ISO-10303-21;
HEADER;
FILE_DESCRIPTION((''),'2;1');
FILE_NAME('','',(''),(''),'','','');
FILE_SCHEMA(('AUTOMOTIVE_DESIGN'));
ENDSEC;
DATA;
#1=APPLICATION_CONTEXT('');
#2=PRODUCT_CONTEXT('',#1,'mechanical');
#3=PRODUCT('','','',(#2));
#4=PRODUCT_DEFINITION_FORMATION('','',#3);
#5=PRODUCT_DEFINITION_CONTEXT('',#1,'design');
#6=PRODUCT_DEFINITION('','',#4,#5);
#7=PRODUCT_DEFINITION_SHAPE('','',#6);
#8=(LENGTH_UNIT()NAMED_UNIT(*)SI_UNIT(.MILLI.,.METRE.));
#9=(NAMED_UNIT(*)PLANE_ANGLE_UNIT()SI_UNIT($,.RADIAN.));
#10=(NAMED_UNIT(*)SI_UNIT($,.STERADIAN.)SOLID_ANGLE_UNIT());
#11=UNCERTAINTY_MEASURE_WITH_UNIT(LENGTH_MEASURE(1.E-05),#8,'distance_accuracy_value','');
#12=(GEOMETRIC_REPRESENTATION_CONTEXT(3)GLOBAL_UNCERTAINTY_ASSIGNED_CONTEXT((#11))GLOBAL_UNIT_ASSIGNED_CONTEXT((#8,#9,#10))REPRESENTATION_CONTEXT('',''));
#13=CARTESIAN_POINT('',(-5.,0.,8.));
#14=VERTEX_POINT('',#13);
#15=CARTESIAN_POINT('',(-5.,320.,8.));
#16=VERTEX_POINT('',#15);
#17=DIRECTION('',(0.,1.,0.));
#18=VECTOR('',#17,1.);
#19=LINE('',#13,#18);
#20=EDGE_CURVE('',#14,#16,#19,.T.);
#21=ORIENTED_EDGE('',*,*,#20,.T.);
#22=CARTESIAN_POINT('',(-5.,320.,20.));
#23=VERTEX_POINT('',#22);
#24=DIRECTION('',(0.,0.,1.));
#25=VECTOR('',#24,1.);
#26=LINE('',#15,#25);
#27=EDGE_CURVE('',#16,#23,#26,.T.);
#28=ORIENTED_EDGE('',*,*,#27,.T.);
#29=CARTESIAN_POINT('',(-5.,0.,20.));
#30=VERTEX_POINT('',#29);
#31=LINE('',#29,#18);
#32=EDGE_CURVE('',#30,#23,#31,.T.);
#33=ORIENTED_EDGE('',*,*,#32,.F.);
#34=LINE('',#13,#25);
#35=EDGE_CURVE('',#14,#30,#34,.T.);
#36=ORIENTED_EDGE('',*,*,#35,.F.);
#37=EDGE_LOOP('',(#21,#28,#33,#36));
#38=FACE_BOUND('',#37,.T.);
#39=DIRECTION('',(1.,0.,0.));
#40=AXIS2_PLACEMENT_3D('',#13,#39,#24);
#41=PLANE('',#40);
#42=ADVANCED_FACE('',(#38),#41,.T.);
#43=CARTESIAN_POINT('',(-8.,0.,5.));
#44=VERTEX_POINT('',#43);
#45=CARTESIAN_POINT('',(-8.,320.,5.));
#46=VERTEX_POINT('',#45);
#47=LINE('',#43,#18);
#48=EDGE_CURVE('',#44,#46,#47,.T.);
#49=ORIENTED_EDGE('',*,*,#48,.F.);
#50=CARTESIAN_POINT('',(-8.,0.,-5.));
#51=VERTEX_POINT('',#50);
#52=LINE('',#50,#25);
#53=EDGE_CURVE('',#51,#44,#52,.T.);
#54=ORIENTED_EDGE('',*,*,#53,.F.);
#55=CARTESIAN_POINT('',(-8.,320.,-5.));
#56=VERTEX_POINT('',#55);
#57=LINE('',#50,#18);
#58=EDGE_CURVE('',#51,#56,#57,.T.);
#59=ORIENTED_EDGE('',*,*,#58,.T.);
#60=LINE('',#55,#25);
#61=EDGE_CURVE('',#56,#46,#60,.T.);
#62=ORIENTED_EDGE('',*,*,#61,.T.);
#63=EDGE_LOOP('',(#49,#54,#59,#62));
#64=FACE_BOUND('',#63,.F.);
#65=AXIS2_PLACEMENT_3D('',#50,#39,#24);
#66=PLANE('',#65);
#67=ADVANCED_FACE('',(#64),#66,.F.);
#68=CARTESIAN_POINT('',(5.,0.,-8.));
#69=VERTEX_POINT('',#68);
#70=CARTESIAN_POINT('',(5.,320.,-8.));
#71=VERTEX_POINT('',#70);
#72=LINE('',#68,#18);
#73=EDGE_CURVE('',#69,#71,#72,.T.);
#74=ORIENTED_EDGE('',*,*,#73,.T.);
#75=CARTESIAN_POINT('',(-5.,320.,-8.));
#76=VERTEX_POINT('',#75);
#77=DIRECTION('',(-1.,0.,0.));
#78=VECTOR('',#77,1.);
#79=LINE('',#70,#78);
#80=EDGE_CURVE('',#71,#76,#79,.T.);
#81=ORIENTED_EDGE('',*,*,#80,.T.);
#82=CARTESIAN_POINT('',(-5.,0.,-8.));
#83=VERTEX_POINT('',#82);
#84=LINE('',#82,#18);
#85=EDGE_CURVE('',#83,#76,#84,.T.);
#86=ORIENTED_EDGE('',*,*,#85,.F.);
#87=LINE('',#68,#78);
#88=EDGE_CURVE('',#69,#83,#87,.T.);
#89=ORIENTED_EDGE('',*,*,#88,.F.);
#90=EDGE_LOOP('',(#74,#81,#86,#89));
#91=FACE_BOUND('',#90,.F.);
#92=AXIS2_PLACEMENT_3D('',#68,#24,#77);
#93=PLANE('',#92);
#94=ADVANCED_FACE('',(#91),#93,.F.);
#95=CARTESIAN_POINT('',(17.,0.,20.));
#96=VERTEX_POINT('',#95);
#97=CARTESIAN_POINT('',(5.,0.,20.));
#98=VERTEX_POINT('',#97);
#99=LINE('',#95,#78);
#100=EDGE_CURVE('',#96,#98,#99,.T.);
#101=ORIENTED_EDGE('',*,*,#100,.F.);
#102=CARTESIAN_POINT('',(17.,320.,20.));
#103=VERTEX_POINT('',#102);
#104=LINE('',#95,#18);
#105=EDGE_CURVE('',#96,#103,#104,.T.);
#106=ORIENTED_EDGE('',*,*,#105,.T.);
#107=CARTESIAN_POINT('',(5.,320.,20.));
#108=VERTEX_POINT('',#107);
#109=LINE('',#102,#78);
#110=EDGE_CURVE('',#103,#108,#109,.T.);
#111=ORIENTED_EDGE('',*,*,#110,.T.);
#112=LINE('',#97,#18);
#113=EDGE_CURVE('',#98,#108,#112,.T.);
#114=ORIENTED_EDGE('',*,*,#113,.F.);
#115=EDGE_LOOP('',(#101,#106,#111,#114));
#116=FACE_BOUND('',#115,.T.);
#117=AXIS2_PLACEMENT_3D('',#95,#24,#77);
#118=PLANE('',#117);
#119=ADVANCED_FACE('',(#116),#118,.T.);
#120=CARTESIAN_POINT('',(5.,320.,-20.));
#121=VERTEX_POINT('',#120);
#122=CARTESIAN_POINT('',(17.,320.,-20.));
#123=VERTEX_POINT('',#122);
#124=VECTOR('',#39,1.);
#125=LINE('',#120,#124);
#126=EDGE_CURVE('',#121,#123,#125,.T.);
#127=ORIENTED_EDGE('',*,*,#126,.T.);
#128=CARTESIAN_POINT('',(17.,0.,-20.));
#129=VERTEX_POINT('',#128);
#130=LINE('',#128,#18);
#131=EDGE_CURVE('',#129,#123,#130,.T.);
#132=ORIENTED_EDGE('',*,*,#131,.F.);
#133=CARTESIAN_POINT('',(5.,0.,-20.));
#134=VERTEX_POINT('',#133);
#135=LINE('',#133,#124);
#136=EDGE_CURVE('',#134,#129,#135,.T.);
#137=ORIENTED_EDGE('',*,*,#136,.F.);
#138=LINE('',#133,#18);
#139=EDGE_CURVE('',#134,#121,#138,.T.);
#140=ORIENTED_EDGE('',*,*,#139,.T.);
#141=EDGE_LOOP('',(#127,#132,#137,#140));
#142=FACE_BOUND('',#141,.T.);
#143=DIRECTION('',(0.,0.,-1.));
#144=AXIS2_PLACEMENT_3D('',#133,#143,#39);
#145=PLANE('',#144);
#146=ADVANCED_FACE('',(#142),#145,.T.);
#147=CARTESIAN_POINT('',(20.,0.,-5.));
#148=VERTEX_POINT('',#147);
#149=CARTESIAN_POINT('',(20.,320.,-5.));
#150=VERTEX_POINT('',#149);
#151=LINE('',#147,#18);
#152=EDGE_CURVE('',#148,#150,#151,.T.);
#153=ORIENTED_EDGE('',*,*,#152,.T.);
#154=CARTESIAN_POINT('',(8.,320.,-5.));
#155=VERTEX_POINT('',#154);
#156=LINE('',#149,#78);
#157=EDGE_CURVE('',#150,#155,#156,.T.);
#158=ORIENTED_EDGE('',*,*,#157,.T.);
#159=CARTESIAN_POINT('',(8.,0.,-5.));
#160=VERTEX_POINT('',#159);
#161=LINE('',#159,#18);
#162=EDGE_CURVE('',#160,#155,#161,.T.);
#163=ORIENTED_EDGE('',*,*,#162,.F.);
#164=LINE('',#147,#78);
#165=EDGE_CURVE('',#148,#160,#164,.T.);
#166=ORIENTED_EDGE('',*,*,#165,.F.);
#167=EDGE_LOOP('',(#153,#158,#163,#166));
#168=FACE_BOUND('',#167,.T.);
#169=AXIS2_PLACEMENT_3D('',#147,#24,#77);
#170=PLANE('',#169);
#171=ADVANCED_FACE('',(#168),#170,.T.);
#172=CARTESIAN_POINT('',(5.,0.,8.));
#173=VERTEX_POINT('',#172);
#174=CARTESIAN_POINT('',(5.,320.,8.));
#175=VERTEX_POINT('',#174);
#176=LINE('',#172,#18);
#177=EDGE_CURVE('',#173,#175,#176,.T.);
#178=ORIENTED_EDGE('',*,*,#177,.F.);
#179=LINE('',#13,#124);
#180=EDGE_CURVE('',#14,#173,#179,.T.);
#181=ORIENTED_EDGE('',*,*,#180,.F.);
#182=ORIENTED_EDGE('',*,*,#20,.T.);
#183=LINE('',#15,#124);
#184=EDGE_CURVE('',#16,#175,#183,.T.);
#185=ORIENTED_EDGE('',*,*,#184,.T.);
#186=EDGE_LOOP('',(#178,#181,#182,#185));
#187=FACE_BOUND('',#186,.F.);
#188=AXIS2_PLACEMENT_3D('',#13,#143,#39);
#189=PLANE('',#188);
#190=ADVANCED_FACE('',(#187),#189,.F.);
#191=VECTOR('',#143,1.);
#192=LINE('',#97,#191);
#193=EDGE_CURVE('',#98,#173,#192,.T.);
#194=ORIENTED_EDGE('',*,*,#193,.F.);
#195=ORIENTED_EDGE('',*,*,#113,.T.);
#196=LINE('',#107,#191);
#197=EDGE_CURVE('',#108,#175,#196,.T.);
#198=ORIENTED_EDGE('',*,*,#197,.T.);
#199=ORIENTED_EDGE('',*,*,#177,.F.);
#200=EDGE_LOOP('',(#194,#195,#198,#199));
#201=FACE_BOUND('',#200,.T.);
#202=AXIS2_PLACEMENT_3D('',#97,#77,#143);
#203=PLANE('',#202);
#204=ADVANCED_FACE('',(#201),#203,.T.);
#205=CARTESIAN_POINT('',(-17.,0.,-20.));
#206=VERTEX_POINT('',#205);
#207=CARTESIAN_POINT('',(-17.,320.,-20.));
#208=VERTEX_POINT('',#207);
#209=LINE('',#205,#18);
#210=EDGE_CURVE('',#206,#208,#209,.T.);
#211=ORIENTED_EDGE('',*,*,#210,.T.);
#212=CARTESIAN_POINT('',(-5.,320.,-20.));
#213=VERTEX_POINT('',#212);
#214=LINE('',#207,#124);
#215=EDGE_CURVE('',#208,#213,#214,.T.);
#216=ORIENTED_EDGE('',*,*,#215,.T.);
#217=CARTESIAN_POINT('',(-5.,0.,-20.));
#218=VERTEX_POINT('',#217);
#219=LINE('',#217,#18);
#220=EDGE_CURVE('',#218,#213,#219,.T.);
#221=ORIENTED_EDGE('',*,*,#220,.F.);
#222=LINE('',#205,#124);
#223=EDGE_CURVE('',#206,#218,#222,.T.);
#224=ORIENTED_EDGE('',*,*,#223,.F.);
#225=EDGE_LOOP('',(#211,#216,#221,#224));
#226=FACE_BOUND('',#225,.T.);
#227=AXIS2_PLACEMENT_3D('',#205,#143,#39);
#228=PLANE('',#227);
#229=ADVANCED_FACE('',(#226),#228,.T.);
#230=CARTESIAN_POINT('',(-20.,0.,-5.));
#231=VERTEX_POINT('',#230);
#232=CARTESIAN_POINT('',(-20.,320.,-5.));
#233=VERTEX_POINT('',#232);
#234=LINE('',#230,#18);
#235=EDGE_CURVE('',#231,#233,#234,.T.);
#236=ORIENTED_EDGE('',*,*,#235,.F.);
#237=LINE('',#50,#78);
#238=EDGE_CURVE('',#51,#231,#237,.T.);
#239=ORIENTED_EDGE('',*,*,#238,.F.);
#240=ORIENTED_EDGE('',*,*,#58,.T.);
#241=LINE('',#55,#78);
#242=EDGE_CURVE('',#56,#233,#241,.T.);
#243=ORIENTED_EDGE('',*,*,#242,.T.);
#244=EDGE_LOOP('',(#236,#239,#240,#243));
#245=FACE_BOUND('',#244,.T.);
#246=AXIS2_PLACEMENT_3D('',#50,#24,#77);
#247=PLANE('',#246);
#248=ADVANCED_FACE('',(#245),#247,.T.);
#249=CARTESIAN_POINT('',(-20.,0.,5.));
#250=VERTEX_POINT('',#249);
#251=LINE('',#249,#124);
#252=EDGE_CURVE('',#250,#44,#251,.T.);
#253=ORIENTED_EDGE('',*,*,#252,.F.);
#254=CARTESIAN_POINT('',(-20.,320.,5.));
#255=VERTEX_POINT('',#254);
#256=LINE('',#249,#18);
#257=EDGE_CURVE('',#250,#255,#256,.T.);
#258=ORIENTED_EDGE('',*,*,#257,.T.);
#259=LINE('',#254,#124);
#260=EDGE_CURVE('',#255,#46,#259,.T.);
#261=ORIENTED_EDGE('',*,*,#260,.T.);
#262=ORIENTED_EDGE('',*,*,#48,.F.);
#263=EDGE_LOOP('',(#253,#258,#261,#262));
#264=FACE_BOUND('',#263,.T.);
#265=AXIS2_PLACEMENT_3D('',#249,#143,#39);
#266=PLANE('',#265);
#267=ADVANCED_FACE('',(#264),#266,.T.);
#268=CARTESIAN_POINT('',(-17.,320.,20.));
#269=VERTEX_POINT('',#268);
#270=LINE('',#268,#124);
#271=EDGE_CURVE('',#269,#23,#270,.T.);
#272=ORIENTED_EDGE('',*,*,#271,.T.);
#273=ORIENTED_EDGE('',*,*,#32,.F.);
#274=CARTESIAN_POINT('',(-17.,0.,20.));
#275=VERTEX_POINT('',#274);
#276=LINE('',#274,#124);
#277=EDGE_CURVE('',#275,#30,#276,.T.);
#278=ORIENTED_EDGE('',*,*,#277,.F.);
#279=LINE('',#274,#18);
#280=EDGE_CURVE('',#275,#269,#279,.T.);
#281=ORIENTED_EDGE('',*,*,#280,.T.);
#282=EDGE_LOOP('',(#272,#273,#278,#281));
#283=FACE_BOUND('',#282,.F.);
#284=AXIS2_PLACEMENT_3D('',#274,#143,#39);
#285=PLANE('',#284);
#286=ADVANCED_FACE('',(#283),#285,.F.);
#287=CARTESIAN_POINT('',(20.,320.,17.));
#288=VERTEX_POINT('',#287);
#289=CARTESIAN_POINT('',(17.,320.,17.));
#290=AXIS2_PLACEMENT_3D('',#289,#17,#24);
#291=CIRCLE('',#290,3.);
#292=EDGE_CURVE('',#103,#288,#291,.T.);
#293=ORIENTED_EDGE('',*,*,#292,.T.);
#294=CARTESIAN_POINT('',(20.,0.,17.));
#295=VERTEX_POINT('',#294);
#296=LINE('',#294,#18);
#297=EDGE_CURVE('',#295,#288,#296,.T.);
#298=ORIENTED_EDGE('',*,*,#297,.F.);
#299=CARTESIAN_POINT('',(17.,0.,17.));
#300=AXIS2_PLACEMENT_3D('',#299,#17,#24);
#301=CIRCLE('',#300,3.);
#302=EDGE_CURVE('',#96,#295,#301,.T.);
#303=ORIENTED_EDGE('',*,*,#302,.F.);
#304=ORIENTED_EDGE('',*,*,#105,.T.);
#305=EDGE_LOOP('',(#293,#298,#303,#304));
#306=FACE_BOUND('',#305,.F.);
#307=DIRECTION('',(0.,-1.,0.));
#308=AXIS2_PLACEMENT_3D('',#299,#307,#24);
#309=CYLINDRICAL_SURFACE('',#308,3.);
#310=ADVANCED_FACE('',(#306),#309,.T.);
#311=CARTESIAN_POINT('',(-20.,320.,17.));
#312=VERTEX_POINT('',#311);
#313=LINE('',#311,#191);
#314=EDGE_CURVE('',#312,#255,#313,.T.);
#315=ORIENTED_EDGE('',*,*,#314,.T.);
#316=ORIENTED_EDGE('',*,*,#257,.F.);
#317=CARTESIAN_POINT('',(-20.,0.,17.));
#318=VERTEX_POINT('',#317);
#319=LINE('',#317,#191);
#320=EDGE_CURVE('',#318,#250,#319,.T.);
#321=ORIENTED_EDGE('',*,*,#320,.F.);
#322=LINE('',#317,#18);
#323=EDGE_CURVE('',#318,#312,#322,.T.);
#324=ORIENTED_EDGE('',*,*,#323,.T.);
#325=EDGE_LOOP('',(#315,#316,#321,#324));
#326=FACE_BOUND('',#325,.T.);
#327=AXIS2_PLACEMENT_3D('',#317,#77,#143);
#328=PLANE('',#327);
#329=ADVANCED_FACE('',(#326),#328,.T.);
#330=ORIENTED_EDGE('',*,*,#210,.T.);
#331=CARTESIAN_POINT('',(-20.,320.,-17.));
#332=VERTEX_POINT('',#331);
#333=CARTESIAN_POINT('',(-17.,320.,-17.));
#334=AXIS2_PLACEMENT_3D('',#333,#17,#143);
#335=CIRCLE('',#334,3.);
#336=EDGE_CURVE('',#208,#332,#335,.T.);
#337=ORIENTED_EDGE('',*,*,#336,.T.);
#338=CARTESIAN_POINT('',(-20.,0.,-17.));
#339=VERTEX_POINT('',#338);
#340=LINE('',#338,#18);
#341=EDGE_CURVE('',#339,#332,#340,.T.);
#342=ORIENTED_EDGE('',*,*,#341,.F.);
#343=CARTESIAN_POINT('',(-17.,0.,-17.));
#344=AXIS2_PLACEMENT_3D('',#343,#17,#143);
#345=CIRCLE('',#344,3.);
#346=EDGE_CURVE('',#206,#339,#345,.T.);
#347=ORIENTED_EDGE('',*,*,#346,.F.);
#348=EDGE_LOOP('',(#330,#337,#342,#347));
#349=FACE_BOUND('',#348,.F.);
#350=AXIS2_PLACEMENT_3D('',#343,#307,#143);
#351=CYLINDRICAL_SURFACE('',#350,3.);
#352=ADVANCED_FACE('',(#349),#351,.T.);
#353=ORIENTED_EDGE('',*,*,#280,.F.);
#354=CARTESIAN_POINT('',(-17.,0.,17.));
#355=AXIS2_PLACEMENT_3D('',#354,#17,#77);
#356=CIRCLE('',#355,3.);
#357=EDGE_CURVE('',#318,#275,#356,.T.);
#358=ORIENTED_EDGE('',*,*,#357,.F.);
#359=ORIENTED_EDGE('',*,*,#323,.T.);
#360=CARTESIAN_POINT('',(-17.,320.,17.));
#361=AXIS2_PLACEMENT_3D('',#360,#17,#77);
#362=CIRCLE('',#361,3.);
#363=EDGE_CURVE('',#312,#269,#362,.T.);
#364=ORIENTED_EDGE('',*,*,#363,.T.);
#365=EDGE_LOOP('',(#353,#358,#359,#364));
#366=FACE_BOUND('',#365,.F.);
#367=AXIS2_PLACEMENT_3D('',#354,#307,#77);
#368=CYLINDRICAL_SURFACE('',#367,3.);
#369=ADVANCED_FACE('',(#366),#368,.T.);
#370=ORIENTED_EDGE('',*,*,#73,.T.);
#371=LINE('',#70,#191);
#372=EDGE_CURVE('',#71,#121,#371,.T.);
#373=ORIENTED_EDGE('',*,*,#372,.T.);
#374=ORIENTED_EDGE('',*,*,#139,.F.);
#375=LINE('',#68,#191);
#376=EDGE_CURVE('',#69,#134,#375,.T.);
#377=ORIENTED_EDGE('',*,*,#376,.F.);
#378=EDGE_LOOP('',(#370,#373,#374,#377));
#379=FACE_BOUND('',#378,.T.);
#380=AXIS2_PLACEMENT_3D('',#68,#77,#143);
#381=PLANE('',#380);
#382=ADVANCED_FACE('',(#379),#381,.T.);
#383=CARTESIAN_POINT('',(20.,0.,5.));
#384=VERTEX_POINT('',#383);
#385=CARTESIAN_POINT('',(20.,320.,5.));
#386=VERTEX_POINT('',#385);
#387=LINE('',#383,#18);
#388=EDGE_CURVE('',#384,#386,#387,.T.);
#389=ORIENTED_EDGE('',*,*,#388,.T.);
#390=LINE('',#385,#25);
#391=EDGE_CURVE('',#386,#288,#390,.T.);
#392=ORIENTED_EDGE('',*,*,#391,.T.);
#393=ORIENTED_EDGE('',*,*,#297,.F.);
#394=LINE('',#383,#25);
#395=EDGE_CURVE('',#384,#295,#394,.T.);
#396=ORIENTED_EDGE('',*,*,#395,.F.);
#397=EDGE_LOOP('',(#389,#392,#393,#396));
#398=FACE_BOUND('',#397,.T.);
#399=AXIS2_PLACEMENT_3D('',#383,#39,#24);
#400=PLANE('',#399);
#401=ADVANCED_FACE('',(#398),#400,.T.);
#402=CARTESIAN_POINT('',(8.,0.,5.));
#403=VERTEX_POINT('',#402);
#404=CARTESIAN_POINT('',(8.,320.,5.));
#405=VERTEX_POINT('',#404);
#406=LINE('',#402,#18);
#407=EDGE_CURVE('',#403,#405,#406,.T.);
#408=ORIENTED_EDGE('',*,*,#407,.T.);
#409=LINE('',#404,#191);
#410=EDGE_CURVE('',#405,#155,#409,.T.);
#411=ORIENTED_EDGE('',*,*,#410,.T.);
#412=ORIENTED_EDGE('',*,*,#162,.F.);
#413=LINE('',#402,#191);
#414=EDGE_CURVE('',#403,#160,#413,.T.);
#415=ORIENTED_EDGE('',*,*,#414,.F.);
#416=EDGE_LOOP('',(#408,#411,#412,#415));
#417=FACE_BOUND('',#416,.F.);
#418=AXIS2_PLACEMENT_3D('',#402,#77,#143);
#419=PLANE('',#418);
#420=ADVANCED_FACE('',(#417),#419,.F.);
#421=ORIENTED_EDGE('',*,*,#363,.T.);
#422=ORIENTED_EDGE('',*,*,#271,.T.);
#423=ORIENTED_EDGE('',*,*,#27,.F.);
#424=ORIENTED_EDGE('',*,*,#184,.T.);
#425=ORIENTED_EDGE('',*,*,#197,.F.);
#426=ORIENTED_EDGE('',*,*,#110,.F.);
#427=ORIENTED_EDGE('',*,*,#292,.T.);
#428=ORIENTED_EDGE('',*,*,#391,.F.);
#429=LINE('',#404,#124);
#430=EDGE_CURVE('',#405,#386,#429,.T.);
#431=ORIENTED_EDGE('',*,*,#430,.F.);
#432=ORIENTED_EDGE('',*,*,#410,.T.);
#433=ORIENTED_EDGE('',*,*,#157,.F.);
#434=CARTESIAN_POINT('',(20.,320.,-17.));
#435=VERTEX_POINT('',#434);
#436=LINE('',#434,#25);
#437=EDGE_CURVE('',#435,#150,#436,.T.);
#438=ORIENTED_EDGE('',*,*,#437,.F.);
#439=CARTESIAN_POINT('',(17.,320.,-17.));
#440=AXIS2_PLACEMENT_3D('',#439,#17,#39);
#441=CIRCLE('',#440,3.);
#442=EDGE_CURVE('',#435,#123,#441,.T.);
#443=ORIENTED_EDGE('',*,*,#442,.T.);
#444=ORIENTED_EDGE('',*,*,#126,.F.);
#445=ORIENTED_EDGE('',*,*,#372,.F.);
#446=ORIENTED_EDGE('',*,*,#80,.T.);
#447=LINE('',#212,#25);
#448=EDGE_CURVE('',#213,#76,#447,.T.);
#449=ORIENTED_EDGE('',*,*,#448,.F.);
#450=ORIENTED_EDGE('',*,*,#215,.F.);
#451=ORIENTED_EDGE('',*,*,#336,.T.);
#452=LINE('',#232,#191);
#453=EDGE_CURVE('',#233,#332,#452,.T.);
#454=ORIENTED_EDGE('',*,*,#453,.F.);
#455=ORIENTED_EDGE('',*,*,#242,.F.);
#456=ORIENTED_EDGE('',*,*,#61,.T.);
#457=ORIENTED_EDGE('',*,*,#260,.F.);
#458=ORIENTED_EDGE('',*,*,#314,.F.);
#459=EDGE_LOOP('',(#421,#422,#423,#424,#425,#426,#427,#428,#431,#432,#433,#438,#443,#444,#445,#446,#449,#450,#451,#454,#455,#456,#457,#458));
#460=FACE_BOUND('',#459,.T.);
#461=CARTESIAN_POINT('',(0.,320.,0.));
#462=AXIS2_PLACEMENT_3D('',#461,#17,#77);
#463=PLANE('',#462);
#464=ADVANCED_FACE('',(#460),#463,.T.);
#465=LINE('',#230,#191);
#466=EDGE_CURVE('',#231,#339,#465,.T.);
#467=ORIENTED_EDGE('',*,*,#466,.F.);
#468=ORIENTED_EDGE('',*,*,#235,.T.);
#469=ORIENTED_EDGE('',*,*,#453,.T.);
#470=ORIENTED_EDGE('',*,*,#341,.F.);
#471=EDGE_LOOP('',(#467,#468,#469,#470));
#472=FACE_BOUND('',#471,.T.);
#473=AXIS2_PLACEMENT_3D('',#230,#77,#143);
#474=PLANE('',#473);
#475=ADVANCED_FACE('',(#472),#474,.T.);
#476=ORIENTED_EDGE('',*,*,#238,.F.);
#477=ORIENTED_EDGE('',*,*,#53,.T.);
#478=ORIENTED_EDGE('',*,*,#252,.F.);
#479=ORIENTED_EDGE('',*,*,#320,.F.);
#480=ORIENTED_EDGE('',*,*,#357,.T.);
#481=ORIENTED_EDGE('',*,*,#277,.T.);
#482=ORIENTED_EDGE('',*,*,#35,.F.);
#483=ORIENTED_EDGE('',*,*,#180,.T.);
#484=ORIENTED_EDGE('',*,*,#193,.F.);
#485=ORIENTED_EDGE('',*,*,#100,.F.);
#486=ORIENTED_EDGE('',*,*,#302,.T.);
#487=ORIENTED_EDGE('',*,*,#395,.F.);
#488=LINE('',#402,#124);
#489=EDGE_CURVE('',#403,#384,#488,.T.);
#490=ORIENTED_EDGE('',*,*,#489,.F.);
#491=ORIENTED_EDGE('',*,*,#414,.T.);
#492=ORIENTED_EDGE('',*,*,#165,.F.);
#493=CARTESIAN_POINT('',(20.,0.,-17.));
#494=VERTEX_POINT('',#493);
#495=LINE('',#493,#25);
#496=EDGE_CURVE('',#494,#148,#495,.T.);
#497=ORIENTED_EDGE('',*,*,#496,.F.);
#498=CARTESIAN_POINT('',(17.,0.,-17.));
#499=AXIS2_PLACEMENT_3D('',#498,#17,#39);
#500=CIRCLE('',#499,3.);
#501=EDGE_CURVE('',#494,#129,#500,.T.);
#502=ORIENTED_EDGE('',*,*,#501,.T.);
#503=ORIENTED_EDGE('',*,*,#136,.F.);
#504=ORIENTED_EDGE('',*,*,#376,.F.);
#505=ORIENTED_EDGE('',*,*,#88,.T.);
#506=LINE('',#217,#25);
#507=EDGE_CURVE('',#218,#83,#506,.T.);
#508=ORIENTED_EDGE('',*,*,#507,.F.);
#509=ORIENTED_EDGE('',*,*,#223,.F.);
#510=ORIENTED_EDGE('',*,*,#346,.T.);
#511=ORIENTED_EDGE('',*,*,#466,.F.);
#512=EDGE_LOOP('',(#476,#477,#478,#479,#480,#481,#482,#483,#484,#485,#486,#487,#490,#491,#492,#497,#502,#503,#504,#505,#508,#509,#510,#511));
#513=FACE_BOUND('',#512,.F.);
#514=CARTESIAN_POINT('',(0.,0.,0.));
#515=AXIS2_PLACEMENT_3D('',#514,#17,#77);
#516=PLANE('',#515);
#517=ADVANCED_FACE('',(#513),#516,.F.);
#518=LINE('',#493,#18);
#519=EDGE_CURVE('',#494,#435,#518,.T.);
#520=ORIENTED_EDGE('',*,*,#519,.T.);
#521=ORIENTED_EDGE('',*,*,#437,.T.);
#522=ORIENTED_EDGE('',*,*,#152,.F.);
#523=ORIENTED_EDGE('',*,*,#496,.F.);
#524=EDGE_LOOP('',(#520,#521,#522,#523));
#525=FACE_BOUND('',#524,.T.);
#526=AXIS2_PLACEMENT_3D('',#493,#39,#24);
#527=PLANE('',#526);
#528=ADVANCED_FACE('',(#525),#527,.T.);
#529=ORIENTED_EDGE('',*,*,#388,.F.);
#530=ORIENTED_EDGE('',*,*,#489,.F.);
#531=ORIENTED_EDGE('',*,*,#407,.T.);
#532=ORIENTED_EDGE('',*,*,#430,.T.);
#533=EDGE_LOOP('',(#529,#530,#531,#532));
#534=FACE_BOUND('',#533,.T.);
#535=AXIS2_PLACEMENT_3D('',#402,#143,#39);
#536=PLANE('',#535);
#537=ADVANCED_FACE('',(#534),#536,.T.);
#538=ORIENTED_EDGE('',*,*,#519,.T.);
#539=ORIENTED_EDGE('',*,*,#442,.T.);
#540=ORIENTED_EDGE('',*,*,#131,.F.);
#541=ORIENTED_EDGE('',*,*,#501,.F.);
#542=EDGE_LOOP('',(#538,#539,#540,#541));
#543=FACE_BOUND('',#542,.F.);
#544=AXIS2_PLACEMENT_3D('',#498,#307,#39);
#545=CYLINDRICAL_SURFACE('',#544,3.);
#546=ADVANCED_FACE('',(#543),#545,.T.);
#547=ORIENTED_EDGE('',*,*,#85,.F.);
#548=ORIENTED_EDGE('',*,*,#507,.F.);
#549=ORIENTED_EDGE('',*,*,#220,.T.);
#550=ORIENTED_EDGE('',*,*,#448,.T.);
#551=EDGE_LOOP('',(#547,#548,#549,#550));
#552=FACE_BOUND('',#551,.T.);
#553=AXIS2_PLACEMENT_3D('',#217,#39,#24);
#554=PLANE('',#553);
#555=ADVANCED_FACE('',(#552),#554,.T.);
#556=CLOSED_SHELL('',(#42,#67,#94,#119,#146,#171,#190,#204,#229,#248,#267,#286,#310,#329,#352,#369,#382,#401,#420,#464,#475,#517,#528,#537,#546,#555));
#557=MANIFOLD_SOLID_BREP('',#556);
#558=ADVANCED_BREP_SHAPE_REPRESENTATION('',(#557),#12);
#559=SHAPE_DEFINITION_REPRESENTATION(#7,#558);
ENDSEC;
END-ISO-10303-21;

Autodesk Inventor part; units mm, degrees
ref_plane "YZ Plane" through (0, 0, 0) normal (1, 0, 0) x (0, 1, 0)
ref_plane "XZ Plane" through (0, 0, 0) normal (0, 1, 0) x (-1, 0, 0)
ref_plane "XY Plane" through (0, 0, 0) normal (0, 0, 1) x (1, 0, 0)
sketch "Sketch1" plane through (0, 0, 0) normal (0, 1, 0) x (-1, 0, 0)
  line L0 (-5, 20) -> (-5, 8)
  line L1 (5, -20) -> (5, -8)
  line L2 (20, 5) -> (8, 5)
  line L3 (-20, -5) -> (-8, -5)
  line L4 (8, -5) -> (20, -5)
  line L5 (-8, 5) -> (-20, 5)
  line L6 (-5, -8) -> (-5, -20)
  line L7 (5, 8) -> (5, 20)
  arc A0 (-17, 20) -> (-20, 17) centre (-17, 17) ccw
  arc A1 (-20, -17) -> (-17, -20) centre (-17, -17) ccw
  arc A2 (17, -20) -> (20, -17) centre (17, -17) ccw
  arc A3 (20, 17) -> (17, 20) centre (17, 17) ccw
  line L8 (20, 17) -> (20, 5)
  line L9 (20, -5) -> (20, -17)
  line L10 (17, -20) -> (5, -20)
  line L11 (-5, -20) -> (-17, -20)
  line L12 (-20, -17) -> (-20, -5)
  line L13 (-20, 5) -> (-20, 17)
  line L14 (-17, 20) -> (-5, 20)
  line L15 (17, 20) -> (5, 20)
  line L16 (5, 8) -> (-5, 8)
  line L17 (-8, 5) -> (-8, -5)
  line L18 (-5, -8) -> (5, -8)
  line L19 (8, -5) -> (8, 5)
  point P0 (0, 0)
extrude "Extrusion1" add sketch "Sketch1" along normal blind 320
properties part number "column"
